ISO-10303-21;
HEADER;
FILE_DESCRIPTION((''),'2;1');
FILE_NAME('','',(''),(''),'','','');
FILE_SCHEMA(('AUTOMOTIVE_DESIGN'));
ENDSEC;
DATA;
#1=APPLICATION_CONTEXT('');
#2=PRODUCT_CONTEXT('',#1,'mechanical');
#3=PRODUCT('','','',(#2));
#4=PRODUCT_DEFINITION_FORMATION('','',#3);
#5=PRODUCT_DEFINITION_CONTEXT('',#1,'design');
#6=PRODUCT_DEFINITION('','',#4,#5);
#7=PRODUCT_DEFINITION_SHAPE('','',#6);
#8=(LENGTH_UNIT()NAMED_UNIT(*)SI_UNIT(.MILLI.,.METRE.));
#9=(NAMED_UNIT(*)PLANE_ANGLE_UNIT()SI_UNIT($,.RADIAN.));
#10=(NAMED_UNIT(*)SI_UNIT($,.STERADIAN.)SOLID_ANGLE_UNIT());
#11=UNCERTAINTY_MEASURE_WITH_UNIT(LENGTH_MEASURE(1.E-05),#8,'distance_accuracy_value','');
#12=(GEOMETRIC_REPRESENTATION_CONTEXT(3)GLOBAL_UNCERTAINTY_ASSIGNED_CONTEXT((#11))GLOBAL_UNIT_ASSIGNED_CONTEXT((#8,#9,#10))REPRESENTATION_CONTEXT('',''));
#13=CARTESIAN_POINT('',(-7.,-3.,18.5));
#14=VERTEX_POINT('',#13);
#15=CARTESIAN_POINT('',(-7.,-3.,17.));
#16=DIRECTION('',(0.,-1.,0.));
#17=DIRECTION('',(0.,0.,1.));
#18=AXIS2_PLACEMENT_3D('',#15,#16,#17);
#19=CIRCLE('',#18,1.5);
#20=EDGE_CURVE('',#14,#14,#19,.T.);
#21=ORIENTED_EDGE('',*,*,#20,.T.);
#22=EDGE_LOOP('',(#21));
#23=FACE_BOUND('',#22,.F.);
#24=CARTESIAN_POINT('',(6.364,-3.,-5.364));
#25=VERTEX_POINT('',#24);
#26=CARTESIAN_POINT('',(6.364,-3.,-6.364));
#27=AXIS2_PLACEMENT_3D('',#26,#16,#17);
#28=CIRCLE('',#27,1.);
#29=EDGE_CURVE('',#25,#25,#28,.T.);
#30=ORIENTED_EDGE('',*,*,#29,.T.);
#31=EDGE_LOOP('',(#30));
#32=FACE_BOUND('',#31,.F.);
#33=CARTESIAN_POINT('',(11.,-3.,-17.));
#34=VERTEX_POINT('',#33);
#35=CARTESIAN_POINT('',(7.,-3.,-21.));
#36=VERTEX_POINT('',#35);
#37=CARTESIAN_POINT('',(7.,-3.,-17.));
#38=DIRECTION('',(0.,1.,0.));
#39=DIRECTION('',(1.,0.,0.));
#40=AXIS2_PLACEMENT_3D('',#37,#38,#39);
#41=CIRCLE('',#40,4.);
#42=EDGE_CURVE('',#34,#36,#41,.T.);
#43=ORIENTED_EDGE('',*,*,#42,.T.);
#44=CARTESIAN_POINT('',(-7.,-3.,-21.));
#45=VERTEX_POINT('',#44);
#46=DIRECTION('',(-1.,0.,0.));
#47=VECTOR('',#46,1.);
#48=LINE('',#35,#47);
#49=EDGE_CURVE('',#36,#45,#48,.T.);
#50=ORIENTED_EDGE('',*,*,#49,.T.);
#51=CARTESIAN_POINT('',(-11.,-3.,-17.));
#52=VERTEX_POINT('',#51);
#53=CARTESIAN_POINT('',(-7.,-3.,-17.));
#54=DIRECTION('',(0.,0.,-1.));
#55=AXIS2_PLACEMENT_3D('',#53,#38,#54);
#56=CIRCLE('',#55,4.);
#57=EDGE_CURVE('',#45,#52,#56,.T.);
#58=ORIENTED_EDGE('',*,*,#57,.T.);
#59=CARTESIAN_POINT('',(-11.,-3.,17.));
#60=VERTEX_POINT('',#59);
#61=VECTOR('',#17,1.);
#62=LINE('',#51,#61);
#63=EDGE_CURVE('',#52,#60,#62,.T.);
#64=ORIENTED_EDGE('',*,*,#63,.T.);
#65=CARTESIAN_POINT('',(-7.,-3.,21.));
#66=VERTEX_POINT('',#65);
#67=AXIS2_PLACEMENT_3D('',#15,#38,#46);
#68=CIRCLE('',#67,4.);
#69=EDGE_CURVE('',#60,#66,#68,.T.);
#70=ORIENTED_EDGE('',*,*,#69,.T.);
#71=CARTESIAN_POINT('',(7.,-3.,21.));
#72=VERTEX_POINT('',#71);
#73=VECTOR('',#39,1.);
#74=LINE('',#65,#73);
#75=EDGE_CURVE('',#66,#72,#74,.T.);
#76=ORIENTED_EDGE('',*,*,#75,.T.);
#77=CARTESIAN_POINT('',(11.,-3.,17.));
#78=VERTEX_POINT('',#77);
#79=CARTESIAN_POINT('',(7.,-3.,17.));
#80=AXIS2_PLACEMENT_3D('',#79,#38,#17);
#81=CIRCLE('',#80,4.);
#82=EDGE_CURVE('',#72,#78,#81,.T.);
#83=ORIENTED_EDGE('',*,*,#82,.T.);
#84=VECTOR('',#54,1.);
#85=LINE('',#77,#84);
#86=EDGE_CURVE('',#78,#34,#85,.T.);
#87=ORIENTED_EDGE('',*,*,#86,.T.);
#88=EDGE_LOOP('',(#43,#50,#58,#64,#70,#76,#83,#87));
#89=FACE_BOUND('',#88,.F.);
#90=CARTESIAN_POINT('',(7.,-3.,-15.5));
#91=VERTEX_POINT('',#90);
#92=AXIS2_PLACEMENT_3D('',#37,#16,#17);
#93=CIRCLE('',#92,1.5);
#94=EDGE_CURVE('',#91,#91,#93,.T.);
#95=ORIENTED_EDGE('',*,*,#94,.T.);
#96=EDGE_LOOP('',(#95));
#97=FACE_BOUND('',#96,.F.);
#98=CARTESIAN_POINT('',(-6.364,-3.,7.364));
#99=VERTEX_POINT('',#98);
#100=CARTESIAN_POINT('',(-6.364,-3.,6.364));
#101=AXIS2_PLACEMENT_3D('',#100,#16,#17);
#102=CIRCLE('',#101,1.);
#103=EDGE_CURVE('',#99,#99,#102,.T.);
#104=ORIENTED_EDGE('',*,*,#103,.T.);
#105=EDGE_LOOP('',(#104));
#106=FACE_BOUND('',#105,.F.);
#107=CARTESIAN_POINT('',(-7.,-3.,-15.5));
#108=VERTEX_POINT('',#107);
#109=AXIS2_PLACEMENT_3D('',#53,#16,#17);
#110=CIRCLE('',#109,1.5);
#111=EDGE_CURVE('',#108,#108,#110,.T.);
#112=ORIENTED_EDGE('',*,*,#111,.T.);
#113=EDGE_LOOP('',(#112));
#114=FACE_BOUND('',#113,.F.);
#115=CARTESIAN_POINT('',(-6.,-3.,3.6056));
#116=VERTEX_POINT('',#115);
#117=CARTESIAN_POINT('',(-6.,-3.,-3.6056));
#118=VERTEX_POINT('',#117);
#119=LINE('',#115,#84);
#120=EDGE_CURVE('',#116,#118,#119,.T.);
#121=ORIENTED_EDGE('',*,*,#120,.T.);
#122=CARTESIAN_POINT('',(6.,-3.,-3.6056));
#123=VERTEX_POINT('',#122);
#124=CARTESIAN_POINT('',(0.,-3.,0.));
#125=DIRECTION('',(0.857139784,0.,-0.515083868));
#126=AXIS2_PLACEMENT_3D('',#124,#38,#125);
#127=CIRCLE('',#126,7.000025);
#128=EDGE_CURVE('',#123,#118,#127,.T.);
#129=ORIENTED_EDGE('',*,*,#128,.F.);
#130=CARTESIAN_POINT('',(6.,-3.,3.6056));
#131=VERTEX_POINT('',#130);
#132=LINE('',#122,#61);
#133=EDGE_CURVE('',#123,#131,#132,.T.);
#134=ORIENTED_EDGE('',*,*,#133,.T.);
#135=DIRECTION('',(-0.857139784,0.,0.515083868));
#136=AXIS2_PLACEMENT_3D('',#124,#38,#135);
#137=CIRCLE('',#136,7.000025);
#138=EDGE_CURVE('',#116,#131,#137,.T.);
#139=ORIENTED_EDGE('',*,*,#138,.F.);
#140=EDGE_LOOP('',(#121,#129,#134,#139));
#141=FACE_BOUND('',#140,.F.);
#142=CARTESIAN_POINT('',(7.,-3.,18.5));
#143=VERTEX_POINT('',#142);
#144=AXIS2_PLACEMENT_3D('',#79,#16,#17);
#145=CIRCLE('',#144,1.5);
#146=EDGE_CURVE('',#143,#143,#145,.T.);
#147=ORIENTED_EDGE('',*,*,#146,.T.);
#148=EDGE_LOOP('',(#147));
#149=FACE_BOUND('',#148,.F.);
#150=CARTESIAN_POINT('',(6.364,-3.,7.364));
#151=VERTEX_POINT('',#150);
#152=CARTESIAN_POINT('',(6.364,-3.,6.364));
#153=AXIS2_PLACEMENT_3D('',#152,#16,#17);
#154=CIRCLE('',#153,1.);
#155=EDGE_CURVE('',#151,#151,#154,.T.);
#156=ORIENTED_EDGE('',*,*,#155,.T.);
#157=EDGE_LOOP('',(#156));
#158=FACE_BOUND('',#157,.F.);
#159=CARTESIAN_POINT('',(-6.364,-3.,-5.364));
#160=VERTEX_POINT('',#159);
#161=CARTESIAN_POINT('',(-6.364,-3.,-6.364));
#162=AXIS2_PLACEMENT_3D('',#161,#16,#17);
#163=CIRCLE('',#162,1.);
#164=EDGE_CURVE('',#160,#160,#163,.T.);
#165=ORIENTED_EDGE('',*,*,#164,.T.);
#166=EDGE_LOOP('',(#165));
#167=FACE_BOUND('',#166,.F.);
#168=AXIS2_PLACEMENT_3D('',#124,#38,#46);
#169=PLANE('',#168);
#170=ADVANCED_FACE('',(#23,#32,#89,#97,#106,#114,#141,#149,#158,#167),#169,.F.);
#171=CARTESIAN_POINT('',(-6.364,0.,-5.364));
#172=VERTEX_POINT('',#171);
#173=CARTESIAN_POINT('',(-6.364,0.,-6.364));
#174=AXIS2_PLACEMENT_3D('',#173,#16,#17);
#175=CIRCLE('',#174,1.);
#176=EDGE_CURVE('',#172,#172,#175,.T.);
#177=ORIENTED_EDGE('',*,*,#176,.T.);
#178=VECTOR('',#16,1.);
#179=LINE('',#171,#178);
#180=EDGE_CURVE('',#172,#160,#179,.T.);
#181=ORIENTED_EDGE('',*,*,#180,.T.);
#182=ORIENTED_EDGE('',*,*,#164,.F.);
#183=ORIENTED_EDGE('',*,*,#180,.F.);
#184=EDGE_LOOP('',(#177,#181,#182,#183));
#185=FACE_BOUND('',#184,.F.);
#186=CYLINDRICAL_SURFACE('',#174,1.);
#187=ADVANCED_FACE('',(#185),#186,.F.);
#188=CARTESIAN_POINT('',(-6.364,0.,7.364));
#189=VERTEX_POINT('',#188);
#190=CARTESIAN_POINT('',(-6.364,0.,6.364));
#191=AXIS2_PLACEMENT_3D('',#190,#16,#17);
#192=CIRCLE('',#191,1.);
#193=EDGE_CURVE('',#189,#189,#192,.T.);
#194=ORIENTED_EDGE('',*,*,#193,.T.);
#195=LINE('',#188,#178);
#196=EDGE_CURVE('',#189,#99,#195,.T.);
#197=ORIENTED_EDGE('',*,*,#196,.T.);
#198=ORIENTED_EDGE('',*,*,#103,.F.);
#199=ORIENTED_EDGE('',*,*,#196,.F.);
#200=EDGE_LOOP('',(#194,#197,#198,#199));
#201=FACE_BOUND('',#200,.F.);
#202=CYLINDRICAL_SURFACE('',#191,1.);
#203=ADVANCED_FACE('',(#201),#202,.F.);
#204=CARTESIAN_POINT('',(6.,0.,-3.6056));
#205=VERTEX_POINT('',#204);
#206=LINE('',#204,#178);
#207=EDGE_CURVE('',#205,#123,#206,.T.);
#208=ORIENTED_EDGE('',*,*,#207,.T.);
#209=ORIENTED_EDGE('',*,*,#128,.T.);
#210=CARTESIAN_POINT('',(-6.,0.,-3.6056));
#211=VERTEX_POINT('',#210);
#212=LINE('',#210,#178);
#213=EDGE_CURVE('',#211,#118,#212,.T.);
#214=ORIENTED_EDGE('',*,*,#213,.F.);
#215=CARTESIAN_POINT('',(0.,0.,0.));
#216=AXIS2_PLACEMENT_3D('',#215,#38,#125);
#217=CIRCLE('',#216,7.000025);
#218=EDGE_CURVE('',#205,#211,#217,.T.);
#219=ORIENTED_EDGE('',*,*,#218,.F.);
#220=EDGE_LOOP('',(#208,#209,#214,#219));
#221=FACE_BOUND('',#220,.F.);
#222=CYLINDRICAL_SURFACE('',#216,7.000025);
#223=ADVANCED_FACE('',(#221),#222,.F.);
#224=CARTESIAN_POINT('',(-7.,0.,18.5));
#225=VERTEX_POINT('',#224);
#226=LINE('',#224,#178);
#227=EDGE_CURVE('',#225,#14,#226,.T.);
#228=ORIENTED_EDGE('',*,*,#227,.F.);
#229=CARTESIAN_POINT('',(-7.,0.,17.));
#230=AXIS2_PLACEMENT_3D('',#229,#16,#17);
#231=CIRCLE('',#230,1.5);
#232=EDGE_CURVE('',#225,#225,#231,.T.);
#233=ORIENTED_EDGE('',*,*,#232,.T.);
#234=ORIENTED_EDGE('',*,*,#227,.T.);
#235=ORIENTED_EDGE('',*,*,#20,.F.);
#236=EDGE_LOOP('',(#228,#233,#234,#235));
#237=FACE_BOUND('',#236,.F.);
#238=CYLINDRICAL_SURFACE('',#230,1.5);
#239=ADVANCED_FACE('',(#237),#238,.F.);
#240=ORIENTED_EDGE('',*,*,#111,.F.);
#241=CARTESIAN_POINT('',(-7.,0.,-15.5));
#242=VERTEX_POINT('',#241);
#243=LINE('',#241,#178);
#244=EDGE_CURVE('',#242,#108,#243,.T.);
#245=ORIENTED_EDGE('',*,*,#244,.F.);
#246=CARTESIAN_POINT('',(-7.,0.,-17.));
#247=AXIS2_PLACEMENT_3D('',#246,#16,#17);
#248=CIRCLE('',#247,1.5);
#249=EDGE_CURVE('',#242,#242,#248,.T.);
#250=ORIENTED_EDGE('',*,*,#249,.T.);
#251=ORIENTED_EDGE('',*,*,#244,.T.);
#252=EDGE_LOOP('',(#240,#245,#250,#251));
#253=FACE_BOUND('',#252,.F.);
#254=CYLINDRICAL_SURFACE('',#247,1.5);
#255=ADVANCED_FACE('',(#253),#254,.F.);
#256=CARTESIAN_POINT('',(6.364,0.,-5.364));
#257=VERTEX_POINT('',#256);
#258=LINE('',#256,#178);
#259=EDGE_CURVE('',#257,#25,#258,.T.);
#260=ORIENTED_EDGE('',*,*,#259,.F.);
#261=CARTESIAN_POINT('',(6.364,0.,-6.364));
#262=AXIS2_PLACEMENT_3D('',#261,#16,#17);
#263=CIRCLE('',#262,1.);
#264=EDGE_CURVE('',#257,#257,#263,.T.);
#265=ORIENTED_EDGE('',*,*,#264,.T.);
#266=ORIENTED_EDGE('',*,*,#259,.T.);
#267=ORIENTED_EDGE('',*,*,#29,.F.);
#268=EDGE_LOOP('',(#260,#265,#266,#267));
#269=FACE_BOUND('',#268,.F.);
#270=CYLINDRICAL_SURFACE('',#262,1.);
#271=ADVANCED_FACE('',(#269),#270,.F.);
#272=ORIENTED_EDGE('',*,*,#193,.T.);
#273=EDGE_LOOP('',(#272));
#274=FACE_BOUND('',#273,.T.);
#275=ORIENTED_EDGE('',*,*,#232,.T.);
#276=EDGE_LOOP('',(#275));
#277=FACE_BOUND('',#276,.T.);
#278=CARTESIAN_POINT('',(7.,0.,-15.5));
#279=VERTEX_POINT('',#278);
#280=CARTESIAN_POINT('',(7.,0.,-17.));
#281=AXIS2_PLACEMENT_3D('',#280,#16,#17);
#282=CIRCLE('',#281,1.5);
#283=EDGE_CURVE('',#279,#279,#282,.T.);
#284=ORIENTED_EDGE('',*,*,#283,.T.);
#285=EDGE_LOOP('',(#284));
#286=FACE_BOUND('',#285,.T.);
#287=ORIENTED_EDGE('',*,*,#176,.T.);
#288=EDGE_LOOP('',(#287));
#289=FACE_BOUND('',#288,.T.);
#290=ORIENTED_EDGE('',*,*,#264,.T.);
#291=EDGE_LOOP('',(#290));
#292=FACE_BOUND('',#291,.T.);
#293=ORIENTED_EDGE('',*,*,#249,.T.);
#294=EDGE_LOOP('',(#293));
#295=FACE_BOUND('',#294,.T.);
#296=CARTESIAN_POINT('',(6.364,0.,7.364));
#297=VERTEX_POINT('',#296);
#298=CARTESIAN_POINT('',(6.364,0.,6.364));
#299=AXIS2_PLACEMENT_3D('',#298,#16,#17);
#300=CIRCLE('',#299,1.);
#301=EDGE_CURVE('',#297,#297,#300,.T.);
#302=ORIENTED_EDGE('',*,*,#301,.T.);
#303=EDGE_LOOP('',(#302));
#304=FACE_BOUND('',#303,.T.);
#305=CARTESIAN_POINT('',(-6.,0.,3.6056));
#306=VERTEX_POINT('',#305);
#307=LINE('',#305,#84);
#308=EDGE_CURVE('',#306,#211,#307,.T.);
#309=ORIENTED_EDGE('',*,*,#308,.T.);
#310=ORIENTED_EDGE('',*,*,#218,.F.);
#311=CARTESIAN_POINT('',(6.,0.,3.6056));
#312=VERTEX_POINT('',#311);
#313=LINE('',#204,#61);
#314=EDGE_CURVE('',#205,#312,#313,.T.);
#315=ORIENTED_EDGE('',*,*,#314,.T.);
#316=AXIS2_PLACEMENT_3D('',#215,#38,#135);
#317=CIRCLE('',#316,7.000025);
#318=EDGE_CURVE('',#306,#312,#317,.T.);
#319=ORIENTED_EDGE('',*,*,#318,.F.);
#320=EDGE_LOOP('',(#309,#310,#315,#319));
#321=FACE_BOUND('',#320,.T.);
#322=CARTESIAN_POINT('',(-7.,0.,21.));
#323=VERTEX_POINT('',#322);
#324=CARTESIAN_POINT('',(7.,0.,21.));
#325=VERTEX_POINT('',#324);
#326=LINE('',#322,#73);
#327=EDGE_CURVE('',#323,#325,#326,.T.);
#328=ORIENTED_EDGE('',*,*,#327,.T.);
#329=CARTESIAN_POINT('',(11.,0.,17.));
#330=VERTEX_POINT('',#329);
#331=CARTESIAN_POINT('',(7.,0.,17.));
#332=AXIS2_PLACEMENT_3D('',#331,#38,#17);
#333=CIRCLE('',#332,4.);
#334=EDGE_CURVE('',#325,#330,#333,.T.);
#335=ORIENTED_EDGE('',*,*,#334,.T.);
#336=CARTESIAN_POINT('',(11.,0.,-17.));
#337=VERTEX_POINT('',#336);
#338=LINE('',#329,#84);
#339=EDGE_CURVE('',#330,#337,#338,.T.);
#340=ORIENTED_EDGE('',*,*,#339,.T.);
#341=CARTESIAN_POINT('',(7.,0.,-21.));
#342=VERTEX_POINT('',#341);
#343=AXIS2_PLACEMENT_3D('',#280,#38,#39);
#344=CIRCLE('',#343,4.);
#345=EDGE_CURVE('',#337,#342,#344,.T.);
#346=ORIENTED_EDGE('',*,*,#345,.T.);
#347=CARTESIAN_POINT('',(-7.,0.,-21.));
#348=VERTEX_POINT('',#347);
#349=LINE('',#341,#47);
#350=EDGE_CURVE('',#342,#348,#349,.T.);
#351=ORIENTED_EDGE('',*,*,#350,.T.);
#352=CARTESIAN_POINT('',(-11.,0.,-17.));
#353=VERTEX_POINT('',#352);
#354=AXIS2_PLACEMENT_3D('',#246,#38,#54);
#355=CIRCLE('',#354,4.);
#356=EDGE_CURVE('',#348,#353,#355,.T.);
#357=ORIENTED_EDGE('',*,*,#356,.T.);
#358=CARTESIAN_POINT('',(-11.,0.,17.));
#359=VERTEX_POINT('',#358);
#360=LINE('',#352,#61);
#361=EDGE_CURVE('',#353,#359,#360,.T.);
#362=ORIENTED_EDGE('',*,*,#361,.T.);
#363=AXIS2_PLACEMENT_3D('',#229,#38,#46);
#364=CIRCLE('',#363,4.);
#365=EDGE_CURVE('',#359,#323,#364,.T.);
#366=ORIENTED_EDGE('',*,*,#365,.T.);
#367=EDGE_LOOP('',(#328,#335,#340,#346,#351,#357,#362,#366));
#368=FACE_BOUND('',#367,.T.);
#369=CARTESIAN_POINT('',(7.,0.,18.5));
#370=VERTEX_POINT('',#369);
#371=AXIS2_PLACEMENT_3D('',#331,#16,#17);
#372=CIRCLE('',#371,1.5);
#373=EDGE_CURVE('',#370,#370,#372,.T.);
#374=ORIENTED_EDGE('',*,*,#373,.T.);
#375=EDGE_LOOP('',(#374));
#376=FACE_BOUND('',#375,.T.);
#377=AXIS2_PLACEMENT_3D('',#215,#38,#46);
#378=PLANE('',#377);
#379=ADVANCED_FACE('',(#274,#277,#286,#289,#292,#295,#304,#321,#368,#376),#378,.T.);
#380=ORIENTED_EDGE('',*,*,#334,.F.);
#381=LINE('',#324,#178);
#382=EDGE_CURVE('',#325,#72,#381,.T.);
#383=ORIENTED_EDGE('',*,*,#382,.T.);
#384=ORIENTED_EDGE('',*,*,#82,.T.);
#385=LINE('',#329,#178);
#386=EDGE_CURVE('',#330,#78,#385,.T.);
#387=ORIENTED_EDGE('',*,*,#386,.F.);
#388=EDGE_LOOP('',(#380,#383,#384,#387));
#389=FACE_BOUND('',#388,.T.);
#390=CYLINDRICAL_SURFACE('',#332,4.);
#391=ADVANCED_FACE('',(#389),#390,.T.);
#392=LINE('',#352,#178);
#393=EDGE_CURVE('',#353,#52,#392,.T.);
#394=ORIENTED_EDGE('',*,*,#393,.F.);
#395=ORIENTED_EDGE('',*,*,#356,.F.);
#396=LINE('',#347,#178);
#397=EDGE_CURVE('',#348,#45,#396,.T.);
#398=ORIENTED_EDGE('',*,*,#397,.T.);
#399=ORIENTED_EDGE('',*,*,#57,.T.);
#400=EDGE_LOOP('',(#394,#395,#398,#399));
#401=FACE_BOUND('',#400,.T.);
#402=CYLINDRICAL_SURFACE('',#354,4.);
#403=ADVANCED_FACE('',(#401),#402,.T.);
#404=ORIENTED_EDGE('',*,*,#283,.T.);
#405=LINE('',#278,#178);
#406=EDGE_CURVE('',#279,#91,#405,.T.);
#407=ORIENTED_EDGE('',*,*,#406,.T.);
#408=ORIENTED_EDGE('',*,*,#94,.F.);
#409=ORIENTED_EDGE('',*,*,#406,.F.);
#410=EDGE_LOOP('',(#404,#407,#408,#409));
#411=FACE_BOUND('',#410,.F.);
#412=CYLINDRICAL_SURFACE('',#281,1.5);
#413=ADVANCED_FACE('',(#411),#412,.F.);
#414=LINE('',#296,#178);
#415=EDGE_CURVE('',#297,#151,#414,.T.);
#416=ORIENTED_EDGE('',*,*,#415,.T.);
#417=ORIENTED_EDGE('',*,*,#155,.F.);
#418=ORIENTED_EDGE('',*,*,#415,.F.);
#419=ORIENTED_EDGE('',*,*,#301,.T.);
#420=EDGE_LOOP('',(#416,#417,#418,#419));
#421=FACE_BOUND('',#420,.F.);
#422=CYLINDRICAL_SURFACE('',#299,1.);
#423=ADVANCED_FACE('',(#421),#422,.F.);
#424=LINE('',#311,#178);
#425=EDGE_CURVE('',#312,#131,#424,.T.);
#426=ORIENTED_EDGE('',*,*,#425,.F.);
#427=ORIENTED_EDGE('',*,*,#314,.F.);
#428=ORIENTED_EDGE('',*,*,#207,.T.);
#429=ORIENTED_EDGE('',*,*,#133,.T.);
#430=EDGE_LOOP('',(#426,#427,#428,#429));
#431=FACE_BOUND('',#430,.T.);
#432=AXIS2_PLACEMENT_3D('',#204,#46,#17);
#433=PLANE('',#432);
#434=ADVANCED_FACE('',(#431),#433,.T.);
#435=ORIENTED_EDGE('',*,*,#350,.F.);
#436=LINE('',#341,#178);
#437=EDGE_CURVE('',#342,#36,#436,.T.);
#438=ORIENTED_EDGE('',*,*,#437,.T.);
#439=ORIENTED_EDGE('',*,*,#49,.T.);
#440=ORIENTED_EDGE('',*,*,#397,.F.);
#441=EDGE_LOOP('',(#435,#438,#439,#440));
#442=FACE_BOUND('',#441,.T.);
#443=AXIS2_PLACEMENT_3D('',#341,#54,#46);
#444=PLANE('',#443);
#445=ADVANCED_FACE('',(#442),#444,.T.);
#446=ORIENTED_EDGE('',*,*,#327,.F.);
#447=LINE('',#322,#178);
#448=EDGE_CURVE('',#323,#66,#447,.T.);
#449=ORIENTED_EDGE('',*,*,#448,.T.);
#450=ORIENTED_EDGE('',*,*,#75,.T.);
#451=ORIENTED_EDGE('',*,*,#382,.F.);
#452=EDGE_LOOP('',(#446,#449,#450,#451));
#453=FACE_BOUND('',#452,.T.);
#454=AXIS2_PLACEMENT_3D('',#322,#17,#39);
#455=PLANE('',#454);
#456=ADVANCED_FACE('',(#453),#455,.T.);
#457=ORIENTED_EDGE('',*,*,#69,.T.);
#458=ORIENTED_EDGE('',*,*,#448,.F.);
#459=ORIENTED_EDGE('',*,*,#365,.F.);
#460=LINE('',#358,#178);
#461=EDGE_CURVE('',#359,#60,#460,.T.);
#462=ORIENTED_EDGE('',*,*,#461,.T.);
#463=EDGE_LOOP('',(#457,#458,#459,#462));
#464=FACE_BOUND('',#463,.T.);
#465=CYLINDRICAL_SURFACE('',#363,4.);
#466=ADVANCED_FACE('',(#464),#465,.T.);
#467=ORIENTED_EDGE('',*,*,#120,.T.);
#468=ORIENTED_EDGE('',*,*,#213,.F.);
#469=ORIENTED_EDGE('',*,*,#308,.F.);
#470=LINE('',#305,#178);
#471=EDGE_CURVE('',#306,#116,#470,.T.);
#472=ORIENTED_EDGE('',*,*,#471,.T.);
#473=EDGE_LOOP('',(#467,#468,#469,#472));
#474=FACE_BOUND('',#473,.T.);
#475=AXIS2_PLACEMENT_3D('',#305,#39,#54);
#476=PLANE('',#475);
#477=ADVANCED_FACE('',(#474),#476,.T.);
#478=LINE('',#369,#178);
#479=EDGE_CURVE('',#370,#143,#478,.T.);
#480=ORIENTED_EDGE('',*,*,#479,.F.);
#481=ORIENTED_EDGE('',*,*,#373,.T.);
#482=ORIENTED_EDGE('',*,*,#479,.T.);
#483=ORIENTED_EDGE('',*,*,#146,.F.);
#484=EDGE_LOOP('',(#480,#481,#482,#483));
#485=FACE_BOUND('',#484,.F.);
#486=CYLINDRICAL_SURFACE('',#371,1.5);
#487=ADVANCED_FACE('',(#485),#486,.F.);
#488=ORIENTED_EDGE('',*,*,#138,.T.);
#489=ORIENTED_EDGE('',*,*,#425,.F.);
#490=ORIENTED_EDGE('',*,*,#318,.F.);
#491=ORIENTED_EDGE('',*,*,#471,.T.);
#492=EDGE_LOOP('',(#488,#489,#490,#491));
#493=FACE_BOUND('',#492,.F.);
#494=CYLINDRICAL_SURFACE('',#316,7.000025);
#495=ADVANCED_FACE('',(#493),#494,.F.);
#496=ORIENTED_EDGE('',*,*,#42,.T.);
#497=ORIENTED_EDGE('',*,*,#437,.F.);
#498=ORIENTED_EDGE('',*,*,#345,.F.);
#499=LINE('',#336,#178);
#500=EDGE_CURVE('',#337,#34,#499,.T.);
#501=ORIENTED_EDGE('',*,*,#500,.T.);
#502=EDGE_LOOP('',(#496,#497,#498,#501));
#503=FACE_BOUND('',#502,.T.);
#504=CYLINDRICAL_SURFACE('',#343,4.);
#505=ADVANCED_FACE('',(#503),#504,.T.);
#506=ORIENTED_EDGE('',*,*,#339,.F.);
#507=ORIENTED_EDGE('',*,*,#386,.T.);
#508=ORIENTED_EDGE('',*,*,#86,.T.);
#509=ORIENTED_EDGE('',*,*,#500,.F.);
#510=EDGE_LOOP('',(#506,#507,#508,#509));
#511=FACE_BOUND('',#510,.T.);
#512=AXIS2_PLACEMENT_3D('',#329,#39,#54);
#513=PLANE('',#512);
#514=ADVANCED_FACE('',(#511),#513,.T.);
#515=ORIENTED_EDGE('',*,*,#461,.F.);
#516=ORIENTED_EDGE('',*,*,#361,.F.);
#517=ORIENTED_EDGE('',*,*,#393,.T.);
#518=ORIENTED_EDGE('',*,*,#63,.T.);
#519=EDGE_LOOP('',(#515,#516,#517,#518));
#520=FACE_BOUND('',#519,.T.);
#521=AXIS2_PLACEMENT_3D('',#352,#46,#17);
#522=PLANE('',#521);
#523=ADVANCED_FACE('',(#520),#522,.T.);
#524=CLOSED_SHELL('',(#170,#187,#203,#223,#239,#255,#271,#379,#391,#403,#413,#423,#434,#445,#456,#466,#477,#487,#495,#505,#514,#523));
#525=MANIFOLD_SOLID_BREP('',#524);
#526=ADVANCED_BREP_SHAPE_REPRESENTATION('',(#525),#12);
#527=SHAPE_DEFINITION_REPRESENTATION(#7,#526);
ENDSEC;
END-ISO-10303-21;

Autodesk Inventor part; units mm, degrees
ref_plane "YZ Plane" through (0, 0, 0) normal (1, 0, 0) x (0, 1, 0)
ref_plane "XZ Plane" through (0, 0, 0) normal (0, 1, 0) x (-1, 0, 0)
ref_plane "XY Plane" through (0, 0, 0) normal (0, 0, 1) x (1, 0, 0)
sketch "Sketch1" plane through (0, 0, 0) normal (0, 1, 0) x (-1, 0, 0)
  line L0 (7, 21) -> (-7, 21)
  line L1 (-11, 17) -> (-11, -17)
  line L2 (-7, -21) -> (7, -21)
  line L3 (11, -17) -> (11, 17)
  line L4 (6, 3.6056) -> (6, -3.6056)
  line L5 (-6, -3.6056) -> (-6, 3.6056)
  line L6 (6.364, 6.364) -> (-6.364, 6.364) construction
  line L7 (-6.364, 6.364) -> (-6.364, -6.364) construction
  line L8 (-6.364, -6.364) -> (6.364, -6.364) construction
  line L9 (6.364, -6.364) -> (6.364, 6.364) construction
  arc A0 (-6, -3.6056) -> (6, -3.6056) centre (0, 0) ccw
  arc A1 (6, 3.6056) -> (-6, 3.6056) centre (0, 0) ccw
  arc A2 (-11, -17) -> (-7, -21) centre (-7, -17) ccw
  arc A3 (-7, 21) -> (-11, 17) centre (-7, 17) ccw
  arc A4 (11, 17) -> (7, 21) centre (7, 17) ccw
  arc A5 (7, -21) -> (11, -17) centre (7, -17) ccw
  point P0 (0, -21)
  point P1 (0, -7)
  point P2 (6.364, 0)
  point P3 (11, 0)
  point P4 (6, 0)
  point P5 (0, -6.364)
  dimension "d0" = 7
  dimension "d1" = 12
  dimension "d2" = 18
  dimension "d3" = 22
  dimension "d4" = 42
  dimension "d5" = 4
extrude "Extrusion1" add sketch "Sketch1" against normal blind 3
hole "Hole1" at (-7, 0, 17) at (7, 0, 17) at (7, 0, -17) at (-7, 0, -17) direction (0, -1, 0) diameter 3 end through all
hole "Hole2" at (-6.364, 0, -6.364) at (6.364, 0, -6.364) at (6.364, 0, 6.364) at (-6.364, 0, 6.364) direction (0, -1, 0) diameter 2 end through all
properties part number "motor_plate"
